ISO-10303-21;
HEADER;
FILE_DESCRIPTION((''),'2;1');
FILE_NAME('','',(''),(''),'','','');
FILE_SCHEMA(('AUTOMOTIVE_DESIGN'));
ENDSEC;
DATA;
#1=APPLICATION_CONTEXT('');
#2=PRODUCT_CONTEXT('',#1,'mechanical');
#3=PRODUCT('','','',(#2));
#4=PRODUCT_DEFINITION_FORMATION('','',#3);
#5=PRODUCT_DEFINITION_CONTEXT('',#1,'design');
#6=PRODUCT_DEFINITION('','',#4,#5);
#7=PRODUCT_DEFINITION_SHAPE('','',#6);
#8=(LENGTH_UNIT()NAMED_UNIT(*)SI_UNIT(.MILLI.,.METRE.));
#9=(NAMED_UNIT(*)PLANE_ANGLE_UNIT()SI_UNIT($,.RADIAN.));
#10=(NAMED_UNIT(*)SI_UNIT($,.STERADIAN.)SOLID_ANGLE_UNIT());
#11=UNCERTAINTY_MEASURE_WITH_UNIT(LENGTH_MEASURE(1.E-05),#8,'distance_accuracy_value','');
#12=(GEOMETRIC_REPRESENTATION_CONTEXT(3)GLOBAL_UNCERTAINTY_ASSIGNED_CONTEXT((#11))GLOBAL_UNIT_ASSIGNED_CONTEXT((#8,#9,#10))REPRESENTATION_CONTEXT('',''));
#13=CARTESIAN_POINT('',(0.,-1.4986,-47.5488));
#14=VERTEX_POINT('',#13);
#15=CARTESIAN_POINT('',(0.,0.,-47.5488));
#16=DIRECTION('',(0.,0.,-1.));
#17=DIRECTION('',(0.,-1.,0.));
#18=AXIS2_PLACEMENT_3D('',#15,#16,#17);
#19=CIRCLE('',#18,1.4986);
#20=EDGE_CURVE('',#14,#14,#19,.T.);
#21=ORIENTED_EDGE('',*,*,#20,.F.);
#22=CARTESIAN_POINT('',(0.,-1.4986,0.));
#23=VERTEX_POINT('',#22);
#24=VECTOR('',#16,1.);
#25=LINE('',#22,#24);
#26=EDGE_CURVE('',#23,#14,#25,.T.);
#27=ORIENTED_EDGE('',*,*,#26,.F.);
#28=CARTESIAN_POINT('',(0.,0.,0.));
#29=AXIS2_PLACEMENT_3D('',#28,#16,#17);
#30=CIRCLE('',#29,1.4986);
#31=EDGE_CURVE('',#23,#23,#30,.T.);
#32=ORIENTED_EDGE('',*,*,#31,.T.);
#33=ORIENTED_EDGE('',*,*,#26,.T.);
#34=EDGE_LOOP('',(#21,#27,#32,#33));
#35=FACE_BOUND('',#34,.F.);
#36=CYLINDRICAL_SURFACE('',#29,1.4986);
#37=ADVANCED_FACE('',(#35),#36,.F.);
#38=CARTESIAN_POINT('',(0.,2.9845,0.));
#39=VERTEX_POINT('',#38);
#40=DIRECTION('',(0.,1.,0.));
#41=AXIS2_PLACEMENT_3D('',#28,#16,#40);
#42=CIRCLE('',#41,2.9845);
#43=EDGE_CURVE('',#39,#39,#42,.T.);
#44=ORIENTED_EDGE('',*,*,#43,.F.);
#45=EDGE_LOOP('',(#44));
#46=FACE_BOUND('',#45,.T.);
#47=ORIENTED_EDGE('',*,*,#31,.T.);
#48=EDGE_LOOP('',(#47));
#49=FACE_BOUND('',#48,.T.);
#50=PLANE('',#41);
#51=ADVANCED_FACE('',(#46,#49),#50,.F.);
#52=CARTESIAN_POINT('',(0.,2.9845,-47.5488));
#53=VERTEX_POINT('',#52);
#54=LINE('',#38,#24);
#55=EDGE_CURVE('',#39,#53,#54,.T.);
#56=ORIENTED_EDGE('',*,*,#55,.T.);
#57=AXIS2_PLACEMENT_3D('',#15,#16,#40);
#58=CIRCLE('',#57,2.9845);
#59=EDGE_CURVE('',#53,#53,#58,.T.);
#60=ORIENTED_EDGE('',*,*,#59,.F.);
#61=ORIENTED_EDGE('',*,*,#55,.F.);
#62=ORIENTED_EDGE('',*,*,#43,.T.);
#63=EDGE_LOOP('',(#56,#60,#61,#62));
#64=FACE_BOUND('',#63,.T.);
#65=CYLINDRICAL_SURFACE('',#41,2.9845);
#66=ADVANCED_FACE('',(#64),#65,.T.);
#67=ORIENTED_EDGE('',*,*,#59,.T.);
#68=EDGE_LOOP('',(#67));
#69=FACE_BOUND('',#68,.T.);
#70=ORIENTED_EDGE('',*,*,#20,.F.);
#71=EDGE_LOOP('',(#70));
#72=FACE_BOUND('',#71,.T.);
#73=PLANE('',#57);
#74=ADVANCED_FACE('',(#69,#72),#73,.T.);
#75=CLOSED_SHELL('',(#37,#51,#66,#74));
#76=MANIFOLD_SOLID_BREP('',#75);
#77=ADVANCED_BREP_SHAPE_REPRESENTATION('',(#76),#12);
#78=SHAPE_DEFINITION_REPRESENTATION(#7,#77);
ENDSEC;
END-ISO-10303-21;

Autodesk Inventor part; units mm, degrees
sketch "Sketch_1" plane through (0, 0, 0) normal (1, 0, 0) x (0, 1, 0)
  line L0 (0, -47.5488) -> (0, 0)
  line L1 (0, 0) -> (2.9845, 0)
  line L2 (2.9845, 0) -> (2.9845, -47.5488)
  line L3 (2.9845, -47.5488) -> (0, -47.5488)
  line L4 (0, -47.5488) -> (0, 0)
revolve "Revolution1" add sketch "Sketch_1" angle 360 about axis through (0, 0, -47.5488) along (0, 0, -1)
sketch "Sketch2" plane through (0, 0, 0) normal (0, 0, 1) x (1, 0, 0)
  point P0 (0, 0)
hole "Hole1" at (0, 0, 0) direction (0, 0, -1) diameter 2.9972 depth 47.5488
ref_plane "screw_XY" through (0, 0, 0) normal (0, 0, 1) x (1, 0, 0)
ref_plane "screw_YZ" through (0, 0, 0) normal (1, 0, 0) x (0, 1, 0)
ref_plane "screw_ZX" through (0, 0, 0) normal (0, 1, 0) x (0, 0, 1)
properties part number "POST0.75-1.872"
